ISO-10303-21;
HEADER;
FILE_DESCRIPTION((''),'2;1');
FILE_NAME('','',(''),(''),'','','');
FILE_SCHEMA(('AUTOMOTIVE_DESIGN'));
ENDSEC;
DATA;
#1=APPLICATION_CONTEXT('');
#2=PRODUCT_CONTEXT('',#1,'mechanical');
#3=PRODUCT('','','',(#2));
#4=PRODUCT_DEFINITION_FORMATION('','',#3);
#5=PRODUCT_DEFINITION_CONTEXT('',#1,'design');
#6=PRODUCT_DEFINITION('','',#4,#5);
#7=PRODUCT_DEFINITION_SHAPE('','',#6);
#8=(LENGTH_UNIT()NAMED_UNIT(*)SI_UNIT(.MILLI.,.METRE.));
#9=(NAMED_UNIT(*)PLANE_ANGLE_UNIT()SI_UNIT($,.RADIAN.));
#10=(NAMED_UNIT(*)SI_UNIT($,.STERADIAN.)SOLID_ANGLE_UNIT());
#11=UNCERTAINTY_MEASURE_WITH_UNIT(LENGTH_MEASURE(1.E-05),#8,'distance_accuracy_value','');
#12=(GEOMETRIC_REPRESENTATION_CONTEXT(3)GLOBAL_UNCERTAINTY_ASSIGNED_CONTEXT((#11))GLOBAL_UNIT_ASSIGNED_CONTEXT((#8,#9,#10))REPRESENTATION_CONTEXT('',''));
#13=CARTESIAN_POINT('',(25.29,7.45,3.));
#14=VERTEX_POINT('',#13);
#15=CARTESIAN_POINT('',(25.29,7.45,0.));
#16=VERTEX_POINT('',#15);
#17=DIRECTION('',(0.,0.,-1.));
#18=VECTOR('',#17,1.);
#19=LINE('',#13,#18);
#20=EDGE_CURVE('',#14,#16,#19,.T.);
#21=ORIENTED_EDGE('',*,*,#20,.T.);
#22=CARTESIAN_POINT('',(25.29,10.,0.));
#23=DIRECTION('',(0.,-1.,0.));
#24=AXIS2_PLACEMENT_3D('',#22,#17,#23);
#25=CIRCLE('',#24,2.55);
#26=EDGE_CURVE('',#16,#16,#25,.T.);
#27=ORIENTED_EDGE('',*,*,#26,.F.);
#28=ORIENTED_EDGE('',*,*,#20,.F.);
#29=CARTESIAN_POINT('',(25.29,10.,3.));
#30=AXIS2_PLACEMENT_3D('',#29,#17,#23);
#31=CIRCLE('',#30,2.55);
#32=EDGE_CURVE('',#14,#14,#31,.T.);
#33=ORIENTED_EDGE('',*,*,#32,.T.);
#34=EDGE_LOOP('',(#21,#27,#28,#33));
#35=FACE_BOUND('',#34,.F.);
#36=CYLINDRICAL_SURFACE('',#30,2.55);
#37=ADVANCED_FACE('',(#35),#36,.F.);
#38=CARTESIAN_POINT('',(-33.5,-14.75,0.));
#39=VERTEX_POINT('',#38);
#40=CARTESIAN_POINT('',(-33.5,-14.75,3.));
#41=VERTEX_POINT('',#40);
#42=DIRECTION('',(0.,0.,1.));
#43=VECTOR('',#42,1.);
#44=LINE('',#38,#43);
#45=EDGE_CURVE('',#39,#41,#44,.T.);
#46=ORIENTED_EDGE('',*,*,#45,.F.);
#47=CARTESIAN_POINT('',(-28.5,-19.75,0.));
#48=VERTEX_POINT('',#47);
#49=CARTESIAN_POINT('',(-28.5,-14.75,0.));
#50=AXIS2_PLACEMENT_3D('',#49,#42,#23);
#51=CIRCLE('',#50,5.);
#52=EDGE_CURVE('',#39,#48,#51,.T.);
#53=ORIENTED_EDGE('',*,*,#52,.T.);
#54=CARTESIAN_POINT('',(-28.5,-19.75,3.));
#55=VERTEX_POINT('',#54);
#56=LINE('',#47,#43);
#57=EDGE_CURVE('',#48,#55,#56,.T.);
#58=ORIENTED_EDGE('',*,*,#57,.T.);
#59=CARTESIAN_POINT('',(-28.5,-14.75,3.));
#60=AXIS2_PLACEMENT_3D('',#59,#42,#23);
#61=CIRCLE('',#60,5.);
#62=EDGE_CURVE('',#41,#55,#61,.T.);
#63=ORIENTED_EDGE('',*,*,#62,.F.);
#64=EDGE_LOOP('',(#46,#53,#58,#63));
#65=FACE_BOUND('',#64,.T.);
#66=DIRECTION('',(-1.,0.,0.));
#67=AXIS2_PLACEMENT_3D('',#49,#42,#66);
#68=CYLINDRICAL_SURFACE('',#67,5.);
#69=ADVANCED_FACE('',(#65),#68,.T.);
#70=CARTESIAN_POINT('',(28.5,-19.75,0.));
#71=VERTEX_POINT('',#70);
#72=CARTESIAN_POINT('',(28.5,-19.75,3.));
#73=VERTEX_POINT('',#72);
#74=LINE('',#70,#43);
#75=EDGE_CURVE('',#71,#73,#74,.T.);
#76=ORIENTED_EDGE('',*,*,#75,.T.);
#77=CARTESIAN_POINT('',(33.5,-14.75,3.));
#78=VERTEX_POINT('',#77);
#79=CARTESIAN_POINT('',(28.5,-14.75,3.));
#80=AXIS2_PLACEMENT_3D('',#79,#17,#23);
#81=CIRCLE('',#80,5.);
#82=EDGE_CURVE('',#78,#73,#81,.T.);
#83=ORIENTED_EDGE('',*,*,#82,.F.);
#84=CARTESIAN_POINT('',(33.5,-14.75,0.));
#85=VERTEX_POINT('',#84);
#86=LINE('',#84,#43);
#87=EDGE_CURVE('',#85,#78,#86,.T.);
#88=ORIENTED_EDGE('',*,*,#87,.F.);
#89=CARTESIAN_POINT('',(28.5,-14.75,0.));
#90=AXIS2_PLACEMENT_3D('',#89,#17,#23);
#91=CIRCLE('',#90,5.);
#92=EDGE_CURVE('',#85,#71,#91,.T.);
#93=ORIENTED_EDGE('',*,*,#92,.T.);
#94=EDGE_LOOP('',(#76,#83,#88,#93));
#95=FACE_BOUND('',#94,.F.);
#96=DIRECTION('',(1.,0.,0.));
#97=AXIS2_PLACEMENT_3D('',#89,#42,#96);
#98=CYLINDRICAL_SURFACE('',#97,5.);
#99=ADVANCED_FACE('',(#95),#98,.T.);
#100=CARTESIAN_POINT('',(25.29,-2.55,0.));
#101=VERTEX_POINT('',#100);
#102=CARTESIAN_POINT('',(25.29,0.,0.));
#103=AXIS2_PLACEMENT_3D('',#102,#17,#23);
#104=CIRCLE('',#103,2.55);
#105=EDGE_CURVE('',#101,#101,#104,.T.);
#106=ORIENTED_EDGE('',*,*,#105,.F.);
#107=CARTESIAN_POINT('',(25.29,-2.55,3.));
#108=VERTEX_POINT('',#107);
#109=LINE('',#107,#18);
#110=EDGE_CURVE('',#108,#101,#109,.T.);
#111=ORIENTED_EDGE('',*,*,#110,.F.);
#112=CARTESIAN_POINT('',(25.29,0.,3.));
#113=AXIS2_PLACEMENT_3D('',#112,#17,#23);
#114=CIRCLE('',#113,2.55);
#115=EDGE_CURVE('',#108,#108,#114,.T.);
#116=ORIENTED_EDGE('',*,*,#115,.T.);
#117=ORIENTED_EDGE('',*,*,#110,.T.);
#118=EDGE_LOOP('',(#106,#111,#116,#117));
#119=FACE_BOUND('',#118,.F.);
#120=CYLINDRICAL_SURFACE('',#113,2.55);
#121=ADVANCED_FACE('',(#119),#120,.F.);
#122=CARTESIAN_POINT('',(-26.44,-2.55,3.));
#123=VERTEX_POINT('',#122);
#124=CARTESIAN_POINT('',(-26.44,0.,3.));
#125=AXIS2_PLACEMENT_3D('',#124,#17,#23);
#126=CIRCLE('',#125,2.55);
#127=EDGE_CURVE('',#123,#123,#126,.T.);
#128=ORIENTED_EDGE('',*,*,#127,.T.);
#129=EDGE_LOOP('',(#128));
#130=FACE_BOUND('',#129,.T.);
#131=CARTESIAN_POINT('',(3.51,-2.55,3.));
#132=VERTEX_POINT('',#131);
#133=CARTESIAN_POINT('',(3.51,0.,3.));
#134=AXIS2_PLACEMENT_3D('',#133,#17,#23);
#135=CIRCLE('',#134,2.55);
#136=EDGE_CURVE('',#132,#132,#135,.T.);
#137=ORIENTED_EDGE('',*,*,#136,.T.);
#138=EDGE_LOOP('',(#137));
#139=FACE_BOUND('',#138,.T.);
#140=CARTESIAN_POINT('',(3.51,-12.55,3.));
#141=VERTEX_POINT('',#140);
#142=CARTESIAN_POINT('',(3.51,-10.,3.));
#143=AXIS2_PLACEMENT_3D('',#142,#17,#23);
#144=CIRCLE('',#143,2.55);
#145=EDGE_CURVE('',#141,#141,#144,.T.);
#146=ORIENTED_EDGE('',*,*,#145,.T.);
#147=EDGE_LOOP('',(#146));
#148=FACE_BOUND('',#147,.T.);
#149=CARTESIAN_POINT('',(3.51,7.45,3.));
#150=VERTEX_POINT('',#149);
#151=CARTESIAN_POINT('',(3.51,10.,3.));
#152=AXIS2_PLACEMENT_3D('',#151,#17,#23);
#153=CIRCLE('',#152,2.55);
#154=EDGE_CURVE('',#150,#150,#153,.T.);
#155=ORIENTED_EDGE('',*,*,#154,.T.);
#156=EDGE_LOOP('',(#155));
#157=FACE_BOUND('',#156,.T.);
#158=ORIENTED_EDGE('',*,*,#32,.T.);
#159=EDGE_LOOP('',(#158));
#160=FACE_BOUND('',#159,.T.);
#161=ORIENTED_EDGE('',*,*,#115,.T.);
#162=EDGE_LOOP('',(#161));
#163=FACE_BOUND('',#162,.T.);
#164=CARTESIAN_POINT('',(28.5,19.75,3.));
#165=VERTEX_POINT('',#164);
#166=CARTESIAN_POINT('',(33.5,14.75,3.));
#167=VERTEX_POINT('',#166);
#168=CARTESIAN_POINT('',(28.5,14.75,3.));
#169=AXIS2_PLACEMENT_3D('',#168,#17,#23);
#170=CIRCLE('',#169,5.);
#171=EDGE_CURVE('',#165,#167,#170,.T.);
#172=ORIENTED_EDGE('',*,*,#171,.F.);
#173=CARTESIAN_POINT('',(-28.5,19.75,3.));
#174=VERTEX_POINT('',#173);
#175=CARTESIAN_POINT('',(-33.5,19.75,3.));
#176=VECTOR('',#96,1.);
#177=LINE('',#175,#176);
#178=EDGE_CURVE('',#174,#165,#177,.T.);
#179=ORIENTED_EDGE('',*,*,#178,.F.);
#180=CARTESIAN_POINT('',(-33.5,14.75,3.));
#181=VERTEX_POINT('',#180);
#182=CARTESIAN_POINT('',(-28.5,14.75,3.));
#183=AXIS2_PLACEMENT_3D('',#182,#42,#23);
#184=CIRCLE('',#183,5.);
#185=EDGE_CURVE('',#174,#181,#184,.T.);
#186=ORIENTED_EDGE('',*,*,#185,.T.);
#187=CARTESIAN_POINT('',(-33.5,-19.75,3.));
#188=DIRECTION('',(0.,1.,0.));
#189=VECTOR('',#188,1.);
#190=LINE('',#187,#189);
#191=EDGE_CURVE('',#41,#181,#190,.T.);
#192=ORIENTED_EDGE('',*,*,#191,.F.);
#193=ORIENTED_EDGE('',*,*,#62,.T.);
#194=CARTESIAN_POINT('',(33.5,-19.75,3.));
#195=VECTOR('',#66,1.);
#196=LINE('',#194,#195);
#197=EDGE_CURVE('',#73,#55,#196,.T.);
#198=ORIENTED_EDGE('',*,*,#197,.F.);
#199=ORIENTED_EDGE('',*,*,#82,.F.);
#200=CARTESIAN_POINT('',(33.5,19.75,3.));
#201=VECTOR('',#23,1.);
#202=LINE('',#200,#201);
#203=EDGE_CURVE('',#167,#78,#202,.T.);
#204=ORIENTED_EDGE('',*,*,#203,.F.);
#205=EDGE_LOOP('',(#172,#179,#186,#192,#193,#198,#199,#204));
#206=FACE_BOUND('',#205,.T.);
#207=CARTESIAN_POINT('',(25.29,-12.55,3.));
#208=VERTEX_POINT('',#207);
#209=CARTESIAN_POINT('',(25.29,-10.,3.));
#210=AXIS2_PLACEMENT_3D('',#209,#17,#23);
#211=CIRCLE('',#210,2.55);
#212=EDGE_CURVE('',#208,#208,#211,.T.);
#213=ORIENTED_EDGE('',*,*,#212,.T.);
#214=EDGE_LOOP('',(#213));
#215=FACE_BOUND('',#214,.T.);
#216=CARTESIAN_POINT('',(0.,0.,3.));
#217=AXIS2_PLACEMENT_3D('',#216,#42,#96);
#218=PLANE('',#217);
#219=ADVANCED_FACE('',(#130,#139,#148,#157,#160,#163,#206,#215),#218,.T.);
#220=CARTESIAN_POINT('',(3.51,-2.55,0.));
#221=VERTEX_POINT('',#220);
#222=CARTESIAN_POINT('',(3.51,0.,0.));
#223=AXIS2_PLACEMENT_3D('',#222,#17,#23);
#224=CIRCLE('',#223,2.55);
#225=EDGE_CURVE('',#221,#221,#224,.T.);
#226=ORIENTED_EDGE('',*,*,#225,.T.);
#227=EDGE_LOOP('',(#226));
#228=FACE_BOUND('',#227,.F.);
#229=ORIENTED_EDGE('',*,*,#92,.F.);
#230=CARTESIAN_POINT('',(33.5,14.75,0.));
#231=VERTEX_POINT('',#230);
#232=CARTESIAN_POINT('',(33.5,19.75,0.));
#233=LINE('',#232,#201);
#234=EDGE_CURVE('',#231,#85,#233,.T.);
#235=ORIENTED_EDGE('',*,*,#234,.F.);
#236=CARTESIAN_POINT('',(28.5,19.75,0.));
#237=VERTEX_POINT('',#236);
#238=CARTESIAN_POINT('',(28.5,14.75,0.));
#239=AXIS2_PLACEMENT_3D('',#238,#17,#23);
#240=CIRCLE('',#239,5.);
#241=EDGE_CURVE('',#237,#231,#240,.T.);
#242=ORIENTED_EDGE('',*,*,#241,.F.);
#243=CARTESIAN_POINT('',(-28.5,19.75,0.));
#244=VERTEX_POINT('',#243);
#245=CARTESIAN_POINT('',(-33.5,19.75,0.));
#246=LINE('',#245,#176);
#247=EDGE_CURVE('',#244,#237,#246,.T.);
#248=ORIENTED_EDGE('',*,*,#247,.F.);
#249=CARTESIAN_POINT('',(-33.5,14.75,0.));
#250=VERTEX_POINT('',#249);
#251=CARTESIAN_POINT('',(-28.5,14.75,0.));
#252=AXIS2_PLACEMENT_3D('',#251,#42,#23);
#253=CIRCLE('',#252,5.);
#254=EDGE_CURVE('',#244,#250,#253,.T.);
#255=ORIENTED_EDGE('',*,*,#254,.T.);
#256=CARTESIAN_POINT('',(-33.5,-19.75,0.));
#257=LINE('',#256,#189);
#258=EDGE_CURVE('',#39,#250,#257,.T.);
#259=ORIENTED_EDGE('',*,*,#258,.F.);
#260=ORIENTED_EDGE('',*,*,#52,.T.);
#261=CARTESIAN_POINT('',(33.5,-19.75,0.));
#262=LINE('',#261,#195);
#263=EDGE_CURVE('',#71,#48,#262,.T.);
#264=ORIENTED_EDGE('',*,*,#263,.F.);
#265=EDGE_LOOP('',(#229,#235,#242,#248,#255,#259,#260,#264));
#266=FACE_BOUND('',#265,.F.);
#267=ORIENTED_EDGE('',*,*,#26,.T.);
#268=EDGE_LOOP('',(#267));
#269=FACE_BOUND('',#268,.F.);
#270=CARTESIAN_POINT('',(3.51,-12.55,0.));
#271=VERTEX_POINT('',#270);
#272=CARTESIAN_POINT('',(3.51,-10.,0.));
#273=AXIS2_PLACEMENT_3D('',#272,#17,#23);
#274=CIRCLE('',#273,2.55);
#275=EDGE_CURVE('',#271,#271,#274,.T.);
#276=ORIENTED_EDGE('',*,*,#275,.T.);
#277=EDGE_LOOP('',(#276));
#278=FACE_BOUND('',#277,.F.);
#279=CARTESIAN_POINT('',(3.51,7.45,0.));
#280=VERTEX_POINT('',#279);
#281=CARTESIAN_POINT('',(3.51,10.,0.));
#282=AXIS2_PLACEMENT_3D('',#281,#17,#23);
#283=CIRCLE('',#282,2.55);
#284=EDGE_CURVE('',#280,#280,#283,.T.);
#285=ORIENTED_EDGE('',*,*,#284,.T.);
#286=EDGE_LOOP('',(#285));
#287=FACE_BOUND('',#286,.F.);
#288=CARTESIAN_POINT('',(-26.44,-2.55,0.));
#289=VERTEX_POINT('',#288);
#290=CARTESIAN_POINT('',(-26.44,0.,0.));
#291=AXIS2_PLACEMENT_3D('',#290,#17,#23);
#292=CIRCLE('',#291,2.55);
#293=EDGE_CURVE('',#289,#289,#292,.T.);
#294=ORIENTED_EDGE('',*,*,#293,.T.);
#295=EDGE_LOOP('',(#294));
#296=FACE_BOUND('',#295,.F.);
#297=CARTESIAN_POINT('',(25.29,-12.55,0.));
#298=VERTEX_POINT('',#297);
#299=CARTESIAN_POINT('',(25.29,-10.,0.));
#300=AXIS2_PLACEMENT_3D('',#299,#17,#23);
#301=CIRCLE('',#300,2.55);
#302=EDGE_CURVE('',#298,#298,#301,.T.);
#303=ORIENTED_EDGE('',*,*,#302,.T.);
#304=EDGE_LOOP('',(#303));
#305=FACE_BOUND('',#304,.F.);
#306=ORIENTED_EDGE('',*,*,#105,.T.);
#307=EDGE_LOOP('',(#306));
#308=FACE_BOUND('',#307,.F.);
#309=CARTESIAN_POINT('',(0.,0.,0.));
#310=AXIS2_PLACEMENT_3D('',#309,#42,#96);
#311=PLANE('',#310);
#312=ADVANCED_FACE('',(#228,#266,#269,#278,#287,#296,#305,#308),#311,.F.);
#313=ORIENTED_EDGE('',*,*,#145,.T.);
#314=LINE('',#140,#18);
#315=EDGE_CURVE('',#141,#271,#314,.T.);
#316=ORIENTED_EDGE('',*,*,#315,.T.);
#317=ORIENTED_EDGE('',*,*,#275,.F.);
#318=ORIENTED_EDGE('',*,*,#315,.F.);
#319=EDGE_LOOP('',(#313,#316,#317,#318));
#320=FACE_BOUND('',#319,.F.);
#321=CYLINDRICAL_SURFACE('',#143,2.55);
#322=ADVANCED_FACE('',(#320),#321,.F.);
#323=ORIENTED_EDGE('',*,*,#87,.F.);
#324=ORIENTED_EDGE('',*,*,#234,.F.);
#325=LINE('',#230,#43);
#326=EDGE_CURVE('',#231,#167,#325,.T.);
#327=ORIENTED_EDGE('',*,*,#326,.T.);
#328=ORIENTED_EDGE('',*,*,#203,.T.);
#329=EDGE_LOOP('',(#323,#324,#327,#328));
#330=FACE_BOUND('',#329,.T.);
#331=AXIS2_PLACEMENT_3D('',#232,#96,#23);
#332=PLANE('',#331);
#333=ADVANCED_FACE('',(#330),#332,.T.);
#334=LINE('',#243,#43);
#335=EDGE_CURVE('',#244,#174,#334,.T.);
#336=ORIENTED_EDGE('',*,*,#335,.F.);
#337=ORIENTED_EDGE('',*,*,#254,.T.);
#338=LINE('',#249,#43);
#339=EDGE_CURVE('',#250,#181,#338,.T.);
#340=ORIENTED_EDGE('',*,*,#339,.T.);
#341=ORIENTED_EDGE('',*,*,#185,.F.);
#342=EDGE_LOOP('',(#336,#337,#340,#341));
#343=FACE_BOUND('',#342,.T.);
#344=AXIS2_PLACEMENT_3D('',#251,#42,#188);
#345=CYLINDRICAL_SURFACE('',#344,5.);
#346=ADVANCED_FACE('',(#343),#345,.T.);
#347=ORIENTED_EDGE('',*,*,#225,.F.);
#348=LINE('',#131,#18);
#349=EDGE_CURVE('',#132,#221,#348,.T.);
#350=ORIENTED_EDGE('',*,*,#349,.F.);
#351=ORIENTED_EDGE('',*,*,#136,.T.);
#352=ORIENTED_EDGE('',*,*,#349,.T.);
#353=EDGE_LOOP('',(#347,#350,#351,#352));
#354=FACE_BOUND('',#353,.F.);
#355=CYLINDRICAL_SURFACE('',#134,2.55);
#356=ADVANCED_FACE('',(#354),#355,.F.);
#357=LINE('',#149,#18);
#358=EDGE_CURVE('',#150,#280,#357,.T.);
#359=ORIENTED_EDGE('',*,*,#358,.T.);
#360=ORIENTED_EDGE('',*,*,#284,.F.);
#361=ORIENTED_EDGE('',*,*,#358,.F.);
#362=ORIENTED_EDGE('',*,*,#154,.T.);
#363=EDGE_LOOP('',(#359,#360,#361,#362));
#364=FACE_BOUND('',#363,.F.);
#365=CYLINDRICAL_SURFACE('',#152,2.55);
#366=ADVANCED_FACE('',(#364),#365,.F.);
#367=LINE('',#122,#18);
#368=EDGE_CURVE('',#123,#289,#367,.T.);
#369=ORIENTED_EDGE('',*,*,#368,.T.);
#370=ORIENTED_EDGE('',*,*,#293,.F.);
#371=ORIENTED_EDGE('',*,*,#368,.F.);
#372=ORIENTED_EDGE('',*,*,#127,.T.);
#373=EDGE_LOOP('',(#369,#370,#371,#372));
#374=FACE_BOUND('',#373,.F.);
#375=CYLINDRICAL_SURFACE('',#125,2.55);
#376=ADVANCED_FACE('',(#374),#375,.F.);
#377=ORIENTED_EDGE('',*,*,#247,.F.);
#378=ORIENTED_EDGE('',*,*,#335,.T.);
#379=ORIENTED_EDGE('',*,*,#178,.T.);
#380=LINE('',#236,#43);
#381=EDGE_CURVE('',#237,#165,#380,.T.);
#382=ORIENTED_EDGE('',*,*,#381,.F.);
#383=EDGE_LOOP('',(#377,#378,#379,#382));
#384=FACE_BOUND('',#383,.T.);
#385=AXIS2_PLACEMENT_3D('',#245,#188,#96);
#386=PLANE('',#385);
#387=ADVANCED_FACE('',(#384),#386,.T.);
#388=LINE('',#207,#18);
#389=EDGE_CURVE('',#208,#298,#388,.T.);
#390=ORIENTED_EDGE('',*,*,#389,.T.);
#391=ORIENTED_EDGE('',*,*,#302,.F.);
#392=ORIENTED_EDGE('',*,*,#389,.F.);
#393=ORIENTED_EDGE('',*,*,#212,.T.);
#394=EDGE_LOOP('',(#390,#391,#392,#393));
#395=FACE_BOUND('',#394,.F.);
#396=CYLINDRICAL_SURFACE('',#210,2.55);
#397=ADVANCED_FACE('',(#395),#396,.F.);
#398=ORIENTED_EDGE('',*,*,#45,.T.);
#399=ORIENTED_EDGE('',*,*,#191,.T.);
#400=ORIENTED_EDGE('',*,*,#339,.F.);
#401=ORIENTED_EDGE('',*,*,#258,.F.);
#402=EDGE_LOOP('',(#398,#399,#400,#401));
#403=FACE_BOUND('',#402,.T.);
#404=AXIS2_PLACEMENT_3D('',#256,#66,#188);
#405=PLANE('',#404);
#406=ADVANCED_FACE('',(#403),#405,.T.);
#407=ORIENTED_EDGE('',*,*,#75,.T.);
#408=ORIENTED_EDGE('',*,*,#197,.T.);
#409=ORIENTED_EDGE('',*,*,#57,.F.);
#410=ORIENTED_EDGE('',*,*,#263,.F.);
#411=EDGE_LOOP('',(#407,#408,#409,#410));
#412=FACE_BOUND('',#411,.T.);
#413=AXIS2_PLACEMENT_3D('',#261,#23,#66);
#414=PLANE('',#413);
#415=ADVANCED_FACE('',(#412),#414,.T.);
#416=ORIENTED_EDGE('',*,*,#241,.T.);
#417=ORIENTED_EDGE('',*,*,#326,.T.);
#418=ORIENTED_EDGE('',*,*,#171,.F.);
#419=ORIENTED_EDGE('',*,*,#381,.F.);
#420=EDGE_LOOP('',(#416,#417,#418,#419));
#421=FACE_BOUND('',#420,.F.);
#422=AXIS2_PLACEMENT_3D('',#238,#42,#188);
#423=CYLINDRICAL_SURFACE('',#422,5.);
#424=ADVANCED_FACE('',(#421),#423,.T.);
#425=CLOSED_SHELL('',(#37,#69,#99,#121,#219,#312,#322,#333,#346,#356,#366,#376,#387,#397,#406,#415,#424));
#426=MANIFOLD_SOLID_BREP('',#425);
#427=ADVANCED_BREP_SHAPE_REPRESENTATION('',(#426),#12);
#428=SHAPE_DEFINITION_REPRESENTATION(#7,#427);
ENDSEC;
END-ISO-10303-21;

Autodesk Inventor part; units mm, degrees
ref_plane "YZ Plane" through (0, 0, 0) normal (1, 0, 0) x (0, 1, 0)
ref_plane "XZ Plane" through (0, 0, 0) normal (0, 1, 0) x (-1, 0, 0)
ref_plane "XY Plane" through (0, 0, 0) normal (0, 0, 1) x (1, 0, 0)
sketch "Sketch2" plane through (0, 0, 0) normal (0, 0, 1) x (1, 0, 0)
  line L0 (-33.5, 19.75) -> (33.5, 19.75)
  line L1 (33.5, 19.75) -> (33.5, -19.75)
  line L2 (33.5, -19.75) -> (-33.5, -19.75)
  line L3 (-33.5, -19.75) -> (-33.5, 19.75)
  line L4 (-33.5, 19.75) -> (33.5, -19.75) construction
  line L5 (33.5, 19.75) -> (-33.5, -19.75) construction
  point P0 (0, 0)
  dimension "d0" = 67
  dimension "d1" = 39.5
extrude "Extrusion1" add sketch "Sketch2" along normal blind 3
sketch "Sketch3" plane through (0, 0, 3) normal (0, 0, 1) x (1, 0, 0)
  line L0 (33.5, 19.75) -> (-33.5, 19.75) projected
  line L1 (-33.5, 19.75) -> (-33.5, -19.75) projected
  line L2 (-33.5, -19.75) -> (33.5, -19.75) projected
  line L3 (33.5, -19.75) -> (33.5, 19.75) projected
  line L4 (-33.5, 0) -> (33.5, 0) construction
  line L5 (3.51, 19.75) -> (3.51, -19.75) construction
  line L6 (25.29, 19.75) -> (25.29, -19.75) construction
  line L7 (-26.44, 19.75) -> (-26.44, -19.75) construction
  point P0 (0, 0)
  point P1 (-26.44, 0)
  point P2 (3.51, 0)
  point P3 (25.29, 0)
  point P4 (3.51, 10)
  point P5 (3.51, -10)
  point P6 (25.29, 10)
  point P7 (25.29, -10)
  dimension "d4" = 7.06
  dimension "d5" = 37.01
  dimension "d6" = 58.79
  dimension "d7" = 9.75
  dimension "d8" = 9.75
  dimension "d9" = 21.78
  dimension "d10" = 19.75
hole "Hole1" at (-26.44, 0, 3) at (3.51, 0, 3) at (25.29, 0, 3) at (3.51, 10, 3) at (3.51, -10, 3) at (25.29, 10, 3) at (25.29, -10, 3) direction (0, 0, -1) diameter 5.1 end through all
fillet "Fillet1" radius 5 4 edges at (33.5, 19.75, 1.5) (-33.5, 19.75, 1.5) (-33.5, -19.75, 1.5) (33.5, -19.75, 1.5)
properties part number "VSlot Idler Pulley Plate" material "Aluminum 6061"
